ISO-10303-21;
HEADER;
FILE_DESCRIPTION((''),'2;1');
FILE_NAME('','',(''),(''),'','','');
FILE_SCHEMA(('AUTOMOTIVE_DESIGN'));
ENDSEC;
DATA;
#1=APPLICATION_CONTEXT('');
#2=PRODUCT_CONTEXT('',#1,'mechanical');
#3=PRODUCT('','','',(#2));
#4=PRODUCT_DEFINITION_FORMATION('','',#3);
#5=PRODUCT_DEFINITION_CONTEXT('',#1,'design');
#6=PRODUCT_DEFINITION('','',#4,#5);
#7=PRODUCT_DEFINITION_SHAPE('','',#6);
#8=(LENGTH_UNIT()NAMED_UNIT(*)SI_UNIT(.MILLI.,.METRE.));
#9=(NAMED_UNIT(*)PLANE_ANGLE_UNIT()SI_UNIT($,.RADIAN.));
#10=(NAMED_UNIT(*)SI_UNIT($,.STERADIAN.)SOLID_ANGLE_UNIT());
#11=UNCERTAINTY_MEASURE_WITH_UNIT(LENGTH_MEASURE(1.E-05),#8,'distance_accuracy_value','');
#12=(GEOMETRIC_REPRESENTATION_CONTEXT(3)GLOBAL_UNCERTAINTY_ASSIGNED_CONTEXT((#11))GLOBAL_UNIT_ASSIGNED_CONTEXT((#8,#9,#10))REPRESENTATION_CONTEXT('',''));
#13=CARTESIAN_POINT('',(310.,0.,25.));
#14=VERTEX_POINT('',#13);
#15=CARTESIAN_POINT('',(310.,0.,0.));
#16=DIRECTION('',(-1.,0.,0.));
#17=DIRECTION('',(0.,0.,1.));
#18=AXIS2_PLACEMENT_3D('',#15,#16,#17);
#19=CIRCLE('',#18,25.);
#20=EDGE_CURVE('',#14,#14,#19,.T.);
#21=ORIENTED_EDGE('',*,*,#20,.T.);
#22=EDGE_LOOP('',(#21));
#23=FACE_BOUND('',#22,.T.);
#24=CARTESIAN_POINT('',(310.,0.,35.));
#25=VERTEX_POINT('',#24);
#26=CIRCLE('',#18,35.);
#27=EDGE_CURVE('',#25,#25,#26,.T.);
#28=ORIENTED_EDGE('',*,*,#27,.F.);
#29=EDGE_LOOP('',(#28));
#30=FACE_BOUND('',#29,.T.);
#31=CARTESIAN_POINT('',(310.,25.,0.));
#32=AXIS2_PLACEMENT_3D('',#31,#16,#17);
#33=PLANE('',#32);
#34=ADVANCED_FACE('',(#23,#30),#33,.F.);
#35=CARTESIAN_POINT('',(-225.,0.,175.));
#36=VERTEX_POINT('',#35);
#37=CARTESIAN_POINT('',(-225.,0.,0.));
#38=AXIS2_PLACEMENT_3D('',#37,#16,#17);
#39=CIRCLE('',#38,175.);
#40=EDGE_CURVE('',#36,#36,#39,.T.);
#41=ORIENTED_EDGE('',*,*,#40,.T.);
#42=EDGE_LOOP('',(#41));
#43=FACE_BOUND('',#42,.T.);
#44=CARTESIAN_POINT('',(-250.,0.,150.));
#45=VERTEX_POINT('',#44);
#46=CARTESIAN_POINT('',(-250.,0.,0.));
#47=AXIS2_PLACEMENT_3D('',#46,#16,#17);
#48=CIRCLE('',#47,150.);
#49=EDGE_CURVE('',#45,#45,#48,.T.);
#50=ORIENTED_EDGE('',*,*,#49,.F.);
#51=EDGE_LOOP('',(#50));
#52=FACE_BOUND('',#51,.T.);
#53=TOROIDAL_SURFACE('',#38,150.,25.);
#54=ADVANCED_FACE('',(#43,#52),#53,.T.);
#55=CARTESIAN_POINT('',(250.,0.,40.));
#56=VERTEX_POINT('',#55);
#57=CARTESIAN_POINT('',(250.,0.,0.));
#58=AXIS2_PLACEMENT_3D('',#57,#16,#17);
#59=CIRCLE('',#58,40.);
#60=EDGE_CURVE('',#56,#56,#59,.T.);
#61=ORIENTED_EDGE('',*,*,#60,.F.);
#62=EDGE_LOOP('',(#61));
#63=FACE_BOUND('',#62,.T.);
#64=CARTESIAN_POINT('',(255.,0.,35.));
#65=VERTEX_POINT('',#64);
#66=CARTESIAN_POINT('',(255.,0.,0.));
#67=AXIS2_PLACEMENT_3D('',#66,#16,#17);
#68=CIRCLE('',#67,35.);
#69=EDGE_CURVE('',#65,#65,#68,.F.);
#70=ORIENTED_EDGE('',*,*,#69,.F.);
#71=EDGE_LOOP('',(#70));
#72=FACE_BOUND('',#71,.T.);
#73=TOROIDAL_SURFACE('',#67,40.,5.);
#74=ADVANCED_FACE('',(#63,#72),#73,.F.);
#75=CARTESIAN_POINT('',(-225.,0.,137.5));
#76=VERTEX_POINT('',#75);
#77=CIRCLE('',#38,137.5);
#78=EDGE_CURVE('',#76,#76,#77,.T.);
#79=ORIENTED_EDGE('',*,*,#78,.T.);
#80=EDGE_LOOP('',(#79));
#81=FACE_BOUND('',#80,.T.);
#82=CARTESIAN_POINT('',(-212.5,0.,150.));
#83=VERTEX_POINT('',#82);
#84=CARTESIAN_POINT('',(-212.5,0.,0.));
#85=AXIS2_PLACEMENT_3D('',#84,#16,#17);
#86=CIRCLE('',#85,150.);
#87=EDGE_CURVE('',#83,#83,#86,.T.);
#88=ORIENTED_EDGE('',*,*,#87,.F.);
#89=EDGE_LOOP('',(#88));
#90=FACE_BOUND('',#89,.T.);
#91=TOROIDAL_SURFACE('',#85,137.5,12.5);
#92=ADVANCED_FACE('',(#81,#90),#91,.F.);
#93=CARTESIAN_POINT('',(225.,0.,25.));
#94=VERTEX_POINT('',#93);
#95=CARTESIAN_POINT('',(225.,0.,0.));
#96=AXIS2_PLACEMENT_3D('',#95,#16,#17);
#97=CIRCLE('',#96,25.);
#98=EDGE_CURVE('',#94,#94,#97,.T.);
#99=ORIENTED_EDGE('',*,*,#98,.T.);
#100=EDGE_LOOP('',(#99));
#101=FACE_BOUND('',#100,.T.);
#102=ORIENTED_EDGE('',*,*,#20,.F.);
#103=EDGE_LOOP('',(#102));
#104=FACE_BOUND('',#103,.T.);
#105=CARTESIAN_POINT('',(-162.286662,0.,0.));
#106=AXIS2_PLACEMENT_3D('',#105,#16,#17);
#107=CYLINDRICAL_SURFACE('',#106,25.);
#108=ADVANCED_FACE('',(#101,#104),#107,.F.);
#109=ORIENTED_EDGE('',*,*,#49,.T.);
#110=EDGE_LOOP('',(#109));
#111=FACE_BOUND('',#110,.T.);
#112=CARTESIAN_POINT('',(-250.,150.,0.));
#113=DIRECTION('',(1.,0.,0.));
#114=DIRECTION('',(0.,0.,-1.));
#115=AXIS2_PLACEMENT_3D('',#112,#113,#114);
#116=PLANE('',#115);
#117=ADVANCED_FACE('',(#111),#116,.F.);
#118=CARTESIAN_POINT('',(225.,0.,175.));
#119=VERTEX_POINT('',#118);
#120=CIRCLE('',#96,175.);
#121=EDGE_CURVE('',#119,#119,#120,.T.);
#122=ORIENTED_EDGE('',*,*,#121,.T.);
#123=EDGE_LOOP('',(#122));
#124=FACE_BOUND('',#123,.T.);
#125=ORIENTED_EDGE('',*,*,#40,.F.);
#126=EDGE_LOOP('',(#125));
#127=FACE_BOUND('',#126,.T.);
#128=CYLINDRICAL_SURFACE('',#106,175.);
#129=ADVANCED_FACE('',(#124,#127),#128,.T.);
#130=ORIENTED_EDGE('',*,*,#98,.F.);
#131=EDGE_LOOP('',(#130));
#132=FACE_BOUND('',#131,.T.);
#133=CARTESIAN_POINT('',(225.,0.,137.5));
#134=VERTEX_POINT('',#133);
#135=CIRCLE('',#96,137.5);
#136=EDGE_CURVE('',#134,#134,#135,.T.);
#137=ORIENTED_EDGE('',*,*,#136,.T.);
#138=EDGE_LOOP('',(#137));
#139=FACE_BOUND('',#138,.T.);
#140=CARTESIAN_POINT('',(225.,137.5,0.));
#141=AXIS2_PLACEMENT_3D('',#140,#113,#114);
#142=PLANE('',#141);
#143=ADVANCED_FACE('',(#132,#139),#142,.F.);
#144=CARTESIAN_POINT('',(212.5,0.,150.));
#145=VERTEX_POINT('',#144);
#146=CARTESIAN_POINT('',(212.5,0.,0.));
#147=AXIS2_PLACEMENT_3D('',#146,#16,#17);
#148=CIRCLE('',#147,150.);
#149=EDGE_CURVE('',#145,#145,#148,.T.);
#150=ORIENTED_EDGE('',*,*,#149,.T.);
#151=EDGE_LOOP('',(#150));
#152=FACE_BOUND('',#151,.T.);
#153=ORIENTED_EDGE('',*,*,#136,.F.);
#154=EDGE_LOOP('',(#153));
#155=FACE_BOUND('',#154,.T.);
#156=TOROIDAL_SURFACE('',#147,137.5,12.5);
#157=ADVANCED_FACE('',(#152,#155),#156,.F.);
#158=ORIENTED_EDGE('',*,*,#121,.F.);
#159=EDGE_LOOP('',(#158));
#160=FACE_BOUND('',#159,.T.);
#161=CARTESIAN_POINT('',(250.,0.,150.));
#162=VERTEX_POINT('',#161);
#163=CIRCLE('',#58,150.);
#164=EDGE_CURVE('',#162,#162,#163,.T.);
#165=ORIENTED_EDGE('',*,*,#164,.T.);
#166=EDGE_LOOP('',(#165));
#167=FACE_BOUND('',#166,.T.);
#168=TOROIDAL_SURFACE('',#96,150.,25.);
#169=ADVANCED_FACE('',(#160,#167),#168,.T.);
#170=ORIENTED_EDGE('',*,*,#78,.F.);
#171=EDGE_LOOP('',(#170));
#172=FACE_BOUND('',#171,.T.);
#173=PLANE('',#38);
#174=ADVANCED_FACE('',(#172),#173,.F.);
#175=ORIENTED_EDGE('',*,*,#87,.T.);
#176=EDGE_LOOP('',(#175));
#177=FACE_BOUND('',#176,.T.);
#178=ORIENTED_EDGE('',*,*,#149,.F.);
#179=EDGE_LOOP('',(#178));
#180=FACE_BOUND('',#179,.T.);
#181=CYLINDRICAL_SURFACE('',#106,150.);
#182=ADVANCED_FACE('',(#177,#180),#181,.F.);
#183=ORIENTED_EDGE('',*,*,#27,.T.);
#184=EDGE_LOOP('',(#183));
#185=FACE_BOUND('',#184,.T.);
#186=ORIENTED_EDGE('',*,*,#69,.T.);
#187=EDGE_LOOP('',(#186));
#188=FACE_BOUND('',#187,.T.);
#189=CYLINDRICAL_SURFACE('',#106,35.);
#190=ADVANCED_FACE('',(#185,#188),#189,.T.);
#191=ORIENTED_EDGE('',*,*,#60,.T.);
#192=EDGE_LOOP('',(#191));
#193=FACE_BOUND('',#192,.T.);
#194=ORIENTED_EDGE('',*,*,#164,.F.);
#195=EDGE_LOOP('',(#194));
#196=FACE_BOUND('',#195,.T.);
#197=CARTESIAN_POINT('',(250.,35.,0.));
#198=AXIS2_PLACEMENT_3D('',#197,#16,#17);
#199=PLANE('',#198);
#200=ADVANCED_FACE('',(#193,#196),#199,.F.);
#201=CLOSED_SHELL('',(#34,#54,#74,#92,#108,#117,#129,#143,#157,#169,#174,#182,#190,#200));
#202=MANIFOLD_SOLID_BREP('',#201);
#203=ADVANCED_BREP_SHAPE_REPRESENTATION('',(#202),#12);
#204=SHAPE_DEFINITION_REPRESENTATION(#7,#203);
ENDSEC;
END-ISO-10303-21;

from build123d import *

# Parameters (mm, degrees)
PIPE_CONNECTOR_FILLET_R = 5


with BuildPart() as part:
    # Sketch1 → Revolve1 (revolve)
    with BuildSketch(Plane.XY):
        with BuildLine():
            Line((-225, 175), (225, 175))
            ThreePointArc((225, 175), (242.67766953, 167.67766953), (250, 150))
            Line((250, 150), (250, 35))
            Line((250, 35), (310, 35))
            Line((310, 35), (310, 25))
            Line((310, 25), (225, 25))
            Line((225, 25), (225, 137.5))
            ThreePointArc((225, 137.5), (221.338834765, 146.338834765), (212.5, 150))
            Line((212.5, 150), (-212.5, 150))
            ThreePointArc((-212.5, 150), (-221.338834765, 146.338834765), (-225, 137.5))
            Line((-225, 137.5), (-225, 0))
            Line((-225, 0), (-250, 0))
            Line((-250, 0), (-250, 150))
            ThreePointArc((-250, 150), (-242.67766953, 167.67766953), (-225, 175))
        make_face()
    revolve(axis=Axis((-162.28666216, 0, 0), (1, 0, 0)))

    # Pipe Connector Fillet
    pipe_connector_fillet_edges = [part.edges().sort_by_distance(p)[0] for p in [
        (250, -35, 0),
    ]]
    fillet(pipe_connector_fillet_edges, radius=PIPE_CONNECTOR_FILLET_R)


solid = part.part
